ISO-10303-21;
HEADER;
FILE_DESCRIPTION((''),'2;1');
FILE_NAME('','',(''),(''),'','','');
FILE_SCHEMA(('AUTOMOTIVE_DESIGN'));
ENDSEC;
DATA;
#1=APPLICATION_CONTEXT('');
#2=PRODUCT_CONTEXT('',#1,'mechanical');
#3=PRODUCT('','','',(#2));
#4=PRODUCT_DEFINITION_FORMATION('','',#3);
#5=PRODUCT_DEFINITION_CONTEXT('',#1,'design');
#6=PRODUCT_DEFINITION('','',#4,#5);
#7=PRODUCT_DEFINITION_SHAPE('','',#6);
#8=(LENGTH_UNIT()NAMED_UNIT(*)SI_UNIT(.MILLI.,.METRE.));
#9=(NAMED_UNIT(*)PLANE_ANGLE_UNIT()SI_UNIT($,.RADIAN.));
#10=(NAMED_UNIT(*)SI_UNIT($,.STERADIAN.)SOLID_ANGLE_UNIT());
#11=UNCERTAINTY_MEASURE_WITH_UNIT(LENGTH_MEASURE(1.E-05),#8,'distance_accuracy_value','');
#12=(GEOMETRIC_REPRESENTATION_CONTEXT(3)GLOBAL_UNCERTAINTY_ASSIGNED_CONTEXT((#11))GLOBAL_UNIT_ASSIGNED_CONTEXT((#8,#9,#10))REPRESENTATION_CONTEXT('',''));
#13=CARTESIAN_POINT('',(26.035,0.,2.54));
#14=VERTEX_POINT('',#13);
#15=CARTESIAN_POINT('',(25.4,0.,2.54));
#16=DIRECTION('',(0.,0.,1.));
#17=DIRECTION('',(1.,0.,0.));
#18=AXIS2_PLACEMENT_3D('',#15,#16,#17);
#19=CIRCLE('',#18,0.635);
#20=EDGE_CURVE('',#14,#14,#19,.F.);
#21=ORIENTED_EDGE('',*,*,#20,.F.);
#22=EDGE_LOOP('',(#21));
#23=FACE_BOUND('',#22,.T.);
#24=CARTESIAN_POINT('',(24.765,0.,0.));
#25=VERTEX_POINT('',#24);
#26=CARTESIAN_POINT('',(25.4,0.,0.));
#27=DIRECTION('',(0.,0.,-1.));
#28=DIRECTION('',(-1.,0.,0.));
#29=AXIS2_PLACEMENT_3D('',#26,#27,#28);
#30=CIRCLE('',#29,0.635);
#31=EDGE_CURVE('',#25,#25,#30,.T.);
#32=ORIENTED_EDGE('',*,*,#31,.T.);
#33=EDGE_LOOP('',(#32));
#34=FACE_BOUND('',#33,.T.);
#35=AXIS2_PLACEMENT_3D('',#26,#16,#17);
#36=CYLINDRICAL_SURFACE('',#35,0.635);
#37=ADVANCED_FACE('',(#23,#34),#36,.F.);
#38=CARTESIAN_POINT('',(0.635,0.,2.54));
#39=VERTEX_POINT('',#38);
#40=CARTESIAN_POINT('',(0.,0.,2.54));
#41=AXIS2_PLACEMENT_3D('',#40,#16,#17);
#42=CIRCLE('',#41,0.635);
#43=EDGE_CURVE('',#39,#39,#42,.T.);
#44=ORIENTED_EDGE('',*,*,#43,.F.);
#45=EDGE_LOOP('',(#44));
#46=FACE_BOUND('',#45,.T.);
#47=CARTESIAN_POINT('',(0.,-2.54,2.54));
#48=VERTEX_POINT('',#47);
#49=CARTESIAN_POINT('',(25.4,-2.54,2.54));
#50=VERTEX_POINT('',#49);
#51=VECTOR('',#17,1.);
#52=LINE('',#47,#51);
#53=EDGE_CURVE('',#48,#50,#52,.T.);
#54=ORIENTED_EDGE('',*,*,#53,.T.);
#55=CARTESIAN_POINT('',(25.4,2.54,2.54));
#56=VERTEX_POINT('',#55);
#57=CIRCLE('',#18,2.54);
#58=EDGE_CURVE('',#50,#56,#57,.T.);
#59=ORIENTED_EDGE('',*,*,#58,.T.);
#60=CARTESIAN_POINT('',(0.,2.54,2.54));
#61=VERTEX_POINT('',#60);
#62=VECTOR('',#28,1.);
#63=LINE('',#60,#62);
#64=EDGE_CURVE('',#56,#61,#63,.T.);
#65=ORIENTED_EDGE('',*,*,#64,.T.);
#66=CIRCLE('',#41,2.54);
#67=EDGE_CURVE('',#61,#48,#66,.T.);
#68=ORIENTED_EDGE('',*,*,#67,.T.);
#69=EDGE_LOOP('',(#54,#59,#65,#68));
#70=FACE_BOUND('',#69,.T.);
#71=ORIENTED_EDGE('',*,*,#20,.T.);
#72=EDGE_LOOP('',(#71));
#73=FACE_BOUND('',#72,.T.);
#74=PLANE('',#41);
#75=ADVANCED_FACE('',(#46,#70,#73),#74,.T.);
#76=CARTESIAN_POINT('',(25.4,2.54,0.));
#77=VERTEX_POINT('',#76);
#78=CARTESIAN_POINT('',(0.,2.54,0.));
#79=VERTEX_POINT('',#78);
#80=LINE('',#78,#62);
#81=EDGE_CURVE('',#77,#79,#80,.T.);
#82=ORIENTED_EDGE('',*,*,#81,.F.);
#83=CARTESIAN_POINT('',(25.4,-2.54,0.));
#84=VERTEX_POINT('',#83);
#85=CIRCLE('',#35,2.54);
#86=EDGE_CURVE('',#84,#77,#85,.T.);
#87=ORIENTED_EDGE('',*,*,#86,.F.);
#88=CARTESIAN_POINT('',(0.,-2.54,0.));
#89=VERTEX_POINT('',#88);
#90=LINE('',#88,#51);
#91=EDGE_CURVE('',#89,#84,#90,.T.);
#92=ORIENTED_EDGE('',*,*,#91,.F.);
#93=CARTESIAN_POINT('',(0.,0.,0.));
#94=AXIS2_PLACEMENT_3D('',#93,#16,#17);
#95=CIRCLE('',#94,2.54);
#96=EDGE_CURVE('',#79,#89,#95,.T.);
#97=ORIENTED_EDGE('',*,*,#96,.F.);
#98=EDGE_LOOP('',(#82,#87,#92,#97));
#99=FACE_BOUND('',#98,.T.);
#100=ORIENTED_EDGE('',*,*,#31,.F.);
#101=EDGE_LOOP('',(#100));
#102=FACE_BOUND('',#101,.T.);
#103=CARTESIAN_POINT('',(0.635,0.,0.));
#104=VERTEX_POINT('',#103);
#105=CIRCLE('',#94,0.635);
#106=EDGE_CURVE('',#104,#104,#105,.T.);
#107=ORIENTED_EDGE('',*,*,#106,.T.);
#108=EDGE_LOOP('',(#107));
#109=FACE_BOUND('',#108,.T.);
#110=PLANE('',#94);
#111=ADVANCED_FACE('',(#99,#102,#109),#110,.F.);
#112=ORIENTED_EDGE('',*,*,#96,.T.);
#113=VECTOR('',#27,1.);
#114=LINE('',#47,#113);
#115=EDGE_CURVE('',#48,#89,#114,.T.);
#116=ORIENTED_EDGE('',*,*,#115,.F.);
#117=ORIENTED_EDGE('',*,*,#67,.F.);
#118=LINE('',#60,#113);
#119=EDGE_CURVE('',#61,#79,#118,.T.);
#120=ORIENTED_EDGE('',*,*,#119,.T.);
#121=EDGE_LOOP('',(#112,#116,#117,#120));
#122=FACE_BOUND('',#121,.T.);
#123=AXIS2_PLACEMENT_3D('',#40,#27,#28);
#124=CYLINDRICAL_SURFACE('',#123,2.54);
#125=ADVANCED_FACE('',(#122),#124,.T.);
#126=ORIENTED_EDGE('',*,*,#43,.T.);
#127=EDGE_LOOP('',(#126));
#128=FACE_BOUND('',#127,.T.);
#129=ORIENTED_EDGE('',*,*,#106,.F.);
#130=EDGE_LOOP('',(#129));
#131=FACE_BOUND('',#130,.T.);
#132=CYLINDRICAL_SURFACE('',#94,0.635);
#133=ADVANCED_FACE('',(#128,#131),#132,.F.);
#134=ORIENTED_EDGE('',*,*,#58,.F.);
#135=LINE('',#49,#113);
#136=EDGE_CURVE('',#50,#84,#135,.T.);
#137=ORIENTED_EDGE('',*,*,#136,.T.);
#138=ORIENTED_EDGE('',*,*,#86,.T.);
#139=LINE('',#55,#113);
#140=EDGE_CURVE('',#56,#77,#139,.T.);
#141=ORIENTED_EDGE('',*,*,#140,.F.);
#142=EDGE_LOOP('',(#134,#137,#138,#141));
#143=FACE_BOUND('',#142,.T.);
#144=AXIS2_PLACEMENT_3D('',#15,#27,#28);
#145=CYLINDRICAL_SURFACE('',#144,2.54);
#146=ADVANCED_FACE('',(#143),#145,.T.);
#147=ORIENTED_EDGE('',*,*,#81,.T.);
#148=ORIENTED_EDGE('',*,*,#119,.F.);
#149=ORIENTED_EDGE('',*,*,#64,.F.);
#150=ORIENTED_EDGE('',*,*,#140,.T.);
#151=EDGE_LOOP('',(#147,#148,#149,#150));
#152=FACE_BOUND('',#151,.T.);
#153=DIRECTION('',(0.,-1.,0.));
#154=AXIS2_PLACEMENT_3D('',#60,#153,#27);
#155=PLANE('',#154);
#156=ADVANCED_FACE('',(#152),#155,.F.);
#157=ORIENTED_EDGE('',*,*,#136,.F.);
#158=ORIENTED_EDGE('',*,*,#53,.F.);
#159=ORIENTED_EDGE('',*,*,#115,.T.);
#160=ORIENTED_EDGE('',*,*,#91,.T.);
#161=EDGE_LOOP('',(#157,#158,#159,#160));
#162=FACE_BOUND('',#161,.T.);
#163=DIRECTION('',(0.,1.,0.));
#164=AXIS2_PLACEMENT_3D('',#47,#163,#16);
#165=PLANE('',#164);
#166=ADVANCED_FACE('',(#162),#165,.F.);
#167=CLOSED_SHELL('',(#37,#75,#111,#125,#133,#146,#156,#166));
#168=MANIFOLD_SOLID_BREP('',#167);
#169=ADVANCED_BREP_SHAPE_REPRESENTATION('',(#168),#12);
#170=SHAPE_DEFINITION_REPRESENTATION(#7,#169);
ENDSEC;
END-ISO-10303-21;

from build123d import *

# Parameters (mm, degrees)
BOSS_EXTRUDE1_DEPTH = 2.54
CUT_EXTRUDE1_START  = -3.54
SKETCH2_R           = 0.635
CUT_EXTRUDE1_DEPTH  = 4.54


with BuildPart() as part:
    # Sketch1 → Boss-Extrude1 (new body)
    with BuildSketch(Plane.XY):
        with BuildLine():
            Line((0, 2.54), (25.4, 2.54))
            ThreePointArc((25.4, 2.54), (27.94, 0), (25.4, -2.54))
            Line((25.4, -2.54), (0, -2.54))
            ThreePointArc((0, -2.54), (-2.54, 0), (0, 2.54))
        make_face()
    extrude(amount=BOSS_EXTRUDE1_DEPTH)

    # Sketch2 → Cut-Extrude1 (cut)
    with BuildSketch(Plane.XY.offset(2.54).offset(CUT_EXTRUDE1_START)):
        Circle(SKETCH2_R)
    cut_extrude1 = extrude(amount=CUT_EXTRUDE1_DEPTH, mode=Mode.SUBTRACT)

    # Mirror1: Cut-Extrude1 across plane
    add(cut_extrude1.mirror(Plane(origin=(12.7, 0, 0), x_dir=(0, 0, 1), z_dir=(1, 0, 0))), mode=Mode.SUBTRACT)


solid = part.part
